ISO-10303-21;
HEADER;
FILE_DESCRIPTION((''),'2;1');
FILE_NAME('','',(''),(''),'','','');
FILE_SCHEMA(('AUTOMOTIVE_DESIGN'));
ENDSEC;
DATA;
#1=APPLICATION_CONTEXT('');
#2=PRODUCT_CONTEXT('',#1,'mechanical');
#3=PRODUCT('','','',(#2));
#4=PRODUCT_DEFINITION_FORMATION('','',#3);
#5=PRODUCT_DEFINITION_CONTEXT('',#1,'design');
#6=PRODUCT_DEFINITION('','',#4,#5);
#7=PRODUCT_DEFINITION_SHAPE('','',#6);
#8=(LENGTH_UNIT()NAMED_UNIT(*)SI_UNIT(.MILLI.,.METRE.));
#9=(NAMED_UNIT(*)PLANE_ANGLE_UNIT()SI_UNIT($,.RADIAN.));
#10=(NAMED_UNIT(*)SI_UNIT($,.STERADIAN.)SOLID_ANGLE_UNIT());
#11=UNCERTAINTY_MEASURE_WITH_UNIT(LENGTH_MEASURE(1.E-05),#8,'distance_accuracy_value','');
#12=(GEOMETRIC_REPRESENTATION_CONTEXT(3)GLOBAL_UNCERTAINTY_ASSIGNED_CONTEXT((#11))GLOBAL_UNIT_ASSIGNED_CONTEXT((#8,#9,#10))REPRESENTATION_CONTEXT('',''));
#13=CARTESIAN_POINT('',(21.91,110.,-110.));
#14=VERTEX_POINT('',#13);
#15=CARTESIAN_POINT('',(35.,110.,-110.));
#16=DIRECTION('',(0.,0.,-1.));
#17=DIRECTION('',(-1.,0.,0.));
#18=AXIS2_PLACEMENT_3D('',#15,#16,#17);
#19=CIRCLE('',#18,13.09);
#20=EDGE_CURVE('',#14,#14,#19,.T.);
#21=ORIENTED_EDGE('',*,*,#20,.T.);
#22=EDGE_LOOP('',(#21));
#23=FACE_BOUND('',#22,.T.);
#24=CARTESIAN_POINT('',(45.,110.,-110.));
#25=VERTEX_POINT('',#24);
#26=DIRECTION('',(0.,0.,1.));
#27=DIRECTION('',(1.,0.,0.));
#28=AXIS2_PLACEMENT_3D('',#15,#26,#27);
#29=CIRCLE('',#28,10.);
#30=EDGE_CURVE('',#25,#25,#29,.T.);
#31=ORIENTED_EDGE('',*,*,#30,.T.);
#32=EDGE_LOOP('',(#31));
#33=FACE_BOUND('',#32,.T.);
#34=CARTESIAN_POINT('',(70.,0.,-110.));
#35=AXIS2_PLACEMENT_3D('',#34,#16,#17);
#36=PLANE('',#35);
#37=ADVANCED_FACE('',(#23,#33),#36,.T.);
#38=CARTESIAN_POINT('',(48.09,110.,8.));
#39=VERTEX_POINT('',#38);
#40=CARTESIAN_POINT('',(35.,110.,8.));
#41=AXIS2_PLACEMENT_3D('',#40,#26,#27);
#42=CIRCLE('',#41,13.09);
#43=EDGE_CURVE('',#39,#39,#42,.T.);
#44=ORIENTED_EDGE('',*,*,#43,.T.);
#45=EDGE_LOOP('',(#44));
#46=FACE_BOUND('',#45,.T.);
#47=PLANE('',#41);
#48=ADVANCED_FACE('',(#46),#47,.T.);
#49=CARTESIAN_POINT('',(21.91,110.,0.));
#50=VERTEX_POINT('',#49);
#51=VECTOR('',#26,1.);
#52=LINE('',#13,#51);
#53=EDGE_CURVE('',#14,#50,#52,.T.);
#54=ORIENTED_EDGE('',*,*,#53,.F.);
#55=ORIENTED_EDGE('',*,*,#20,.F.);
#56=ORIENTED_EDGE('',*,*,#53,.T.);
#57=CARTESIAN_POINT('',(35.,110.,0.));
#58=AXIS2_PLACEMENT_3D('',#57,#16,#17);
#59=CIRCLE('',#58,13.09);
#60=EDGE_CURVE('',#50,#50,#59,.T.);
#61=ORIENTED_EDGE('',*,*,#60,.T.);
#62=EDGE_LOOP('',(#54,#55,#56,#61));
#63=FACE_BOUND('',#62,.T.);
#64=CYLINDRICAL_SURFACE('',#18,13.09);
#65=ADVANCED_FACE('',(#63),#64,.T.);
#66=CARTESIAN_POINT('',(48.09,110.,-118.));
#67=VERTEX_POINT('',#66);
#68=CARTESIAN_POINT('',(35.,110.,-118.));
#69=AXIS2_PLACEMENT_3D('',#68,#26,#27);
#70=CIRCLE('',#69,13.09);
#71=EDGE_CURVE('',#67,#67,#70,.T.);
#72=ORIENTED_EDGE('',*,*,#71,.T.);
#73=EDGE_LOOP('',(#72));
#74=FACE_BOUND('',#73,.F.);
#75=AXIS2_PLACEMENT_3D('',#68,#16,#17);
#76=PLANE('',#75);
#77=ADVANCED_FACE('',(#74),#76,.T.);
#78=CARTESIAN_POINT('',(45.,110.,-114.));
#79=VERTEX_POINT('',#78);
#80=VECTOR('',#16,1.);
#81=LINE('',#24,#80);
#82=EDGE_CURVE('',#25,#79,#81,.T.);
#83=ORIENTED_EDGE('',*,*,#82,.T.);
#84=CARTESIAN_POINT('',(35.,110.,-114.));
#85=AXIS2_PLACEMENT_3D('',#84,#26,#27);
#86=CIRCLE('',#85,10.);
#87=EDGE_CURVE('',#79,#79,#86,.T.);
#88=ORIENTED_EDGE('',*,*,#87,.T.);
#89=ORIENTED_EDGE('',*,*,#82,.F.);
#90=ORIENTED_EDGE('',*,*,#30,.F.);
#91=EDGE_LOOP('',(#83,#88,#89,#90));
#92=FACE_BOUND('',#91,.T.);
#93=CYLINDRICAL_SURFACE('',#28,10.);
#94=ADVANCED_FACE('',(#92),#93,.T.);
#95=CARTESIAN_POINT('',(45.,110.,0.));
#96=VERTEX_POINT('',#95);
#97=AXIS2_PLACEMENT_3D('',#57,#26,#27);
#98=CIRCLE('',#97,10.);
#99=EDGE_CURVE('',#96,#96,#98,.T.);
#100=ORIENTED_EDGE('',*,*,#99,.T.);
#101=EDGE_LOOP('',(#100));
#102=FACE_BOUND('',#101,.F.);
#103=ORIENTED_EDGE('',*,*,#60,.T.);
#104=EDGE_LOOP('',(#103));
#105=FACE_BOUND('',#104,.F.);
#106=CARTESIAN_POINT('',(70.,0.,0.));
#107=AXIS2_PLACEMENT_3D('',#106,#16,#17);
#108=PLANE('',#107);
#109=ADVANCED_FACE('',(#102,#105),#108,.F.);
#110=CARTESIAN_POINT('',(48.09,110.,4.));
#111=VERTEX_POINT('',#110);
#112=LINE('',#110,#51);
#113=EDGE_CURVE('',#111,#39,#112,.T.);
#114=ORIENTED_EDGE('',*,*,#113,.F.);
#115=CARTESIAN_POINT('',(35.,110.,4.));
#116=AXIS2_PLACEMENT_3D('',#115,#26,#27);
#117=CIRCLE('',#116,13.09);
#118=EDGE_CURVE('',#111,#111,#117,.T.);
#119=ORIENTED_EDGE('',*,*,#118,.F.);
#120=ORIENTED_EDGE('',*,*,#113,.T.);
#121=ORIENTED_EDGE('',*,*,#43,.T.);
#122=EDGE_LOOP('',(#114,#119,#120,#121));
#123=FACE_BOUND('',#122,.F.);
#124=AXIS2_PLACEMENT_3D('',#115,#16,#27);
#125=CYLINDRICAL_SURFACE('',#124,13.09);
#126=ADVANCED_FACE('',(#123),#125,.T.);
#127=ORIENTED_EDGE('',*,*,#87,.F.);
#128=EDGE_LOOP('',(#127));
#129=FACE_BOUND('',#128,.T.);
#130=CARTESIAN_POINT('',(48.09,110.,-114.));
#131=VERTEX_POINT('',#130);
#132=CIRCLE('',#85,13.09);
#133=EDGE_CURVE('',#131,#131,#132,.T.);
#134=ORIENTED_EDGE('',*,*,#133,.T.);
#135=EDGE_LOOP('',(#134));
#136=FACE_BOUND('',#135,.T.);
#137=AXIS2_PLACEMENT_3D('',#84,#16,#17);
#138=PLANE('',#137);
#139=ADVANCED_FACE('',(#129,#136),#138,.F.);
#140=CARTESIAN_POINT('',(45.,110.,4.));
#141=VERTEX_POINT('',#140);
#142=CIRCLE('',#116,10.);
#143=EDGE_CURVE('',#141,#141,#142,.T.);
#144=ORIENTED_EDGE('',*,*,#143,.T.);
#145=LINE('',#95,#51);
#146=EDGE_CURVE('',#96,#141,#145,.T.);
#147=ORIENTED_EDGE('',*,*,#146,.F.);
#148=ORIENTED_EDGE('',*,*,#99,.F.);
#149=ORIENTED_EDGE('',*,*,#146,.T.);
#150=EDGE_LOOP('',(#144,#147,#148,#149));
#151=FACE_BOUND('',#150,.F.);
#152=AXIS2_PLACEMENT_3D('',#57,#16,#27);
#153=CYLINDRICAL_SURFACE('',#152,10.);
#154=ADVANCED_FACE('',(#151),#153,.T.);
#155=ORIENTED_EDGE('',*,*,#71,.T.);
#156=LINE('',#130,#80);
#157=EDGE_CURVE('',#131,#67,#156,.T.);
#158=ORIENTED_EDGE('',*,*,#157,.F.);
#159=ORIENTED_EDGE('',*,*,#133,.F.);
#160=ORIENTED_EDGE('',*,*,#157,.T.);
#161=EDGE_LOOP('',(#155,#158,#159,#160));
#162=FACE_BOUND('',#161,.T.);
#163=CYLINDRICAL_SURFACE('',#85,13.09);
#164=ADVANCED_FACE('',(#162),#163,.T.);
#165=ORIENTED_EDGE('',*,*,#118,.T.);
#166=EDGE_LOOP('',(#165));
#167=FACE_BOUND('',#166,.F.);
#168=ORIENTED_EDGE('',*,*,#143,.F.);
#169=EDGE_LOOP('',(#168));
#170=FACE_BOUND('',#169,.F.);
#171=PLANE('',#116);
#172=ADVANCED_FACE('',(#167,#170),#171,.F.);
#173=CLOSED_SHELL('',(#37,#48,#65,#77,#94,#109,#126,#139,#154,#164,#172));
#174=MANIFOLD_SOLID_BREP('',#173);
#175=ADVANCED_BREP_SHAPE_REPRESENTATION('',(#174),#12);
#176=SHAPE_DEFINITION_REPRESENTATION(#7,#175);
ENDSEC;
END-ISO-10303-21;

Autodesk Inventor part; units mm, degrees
ref_plane "YZ Plane" through (0, 0, 0) normal (1, 0, 0) x (0, 1, 0)
ref_plane "XZ Plane" through (0, 0, 0) normal (0, 1, 0) x (-1, 0, 0)
ref_plane "Work Plane1" through (70, 0, -110) normal (0, 0, -1) x (-1, 0, 0)
sketch "Sketch1" plane through (70, 0, -110) normal (0, 0, -1) x (-1, 0, 0)
  circle A0 centre (35, 110) radius 13.5 projected
  circle A1 centre (35, 110) radius 13.09
  point P0 (70, 0)
  dimension "d2" = 0.41
ref_plane "Work Plane2" through (-8, 0, 0) normal (0, 0, 1) x (1, 0, 0)
extrude "Extrusion1" add sketch "Sketch1" against normal up to surface (110 mm away) contours A1
sketch "Sketch2" plane through (35, 110, 0) normal (0, 0, 1) x (1, 0, 0)
  circle A0 centre (0, 0) radius 13.09 projected
  circle A1 centre (0, 0) radius 10
  point P0 (-35, -110)
  dimension "d3" = 20
extrude "Extrusion2" add sketch "Sketch2" along normal blind 4 contours A1
sketch "Sketch3" plane through (35, 110, 4) normal (0, 0, 1) x (1, 0, 0)
  circle A0 centre (0, 0) radius 13.09 projected
  point P0 (-35, -110)
extrude "Extrusion3" add sketch "Sketch3" along normal blind 4
ref_plane "Work Plane3" through (35, 110, -55) normal (0, 0, 1) x (1, 0, 0)
mirror "Mirror1" about plane through (35, 110, -55) normal (0, 0, 1) of "Extrusion2", "Extrusion3"
equation "\"BendRadius\" = Thickness"
equation "\"BendReliefWidth\" = Thickness"
equation "\"BendReliefDepth\" = 0.5 * Thickness"
equation "\"CornerReliefSize\" = 4 * Thickness"
equation "\"MinimumRemnant\" = 2 * Thickness"
equation "\"TransitionRadius\" = BendRadius"
equation "\"JacobiRadiusSize\" = BendRadius"
equation "\"GapSize\" = Thickness"
equation "\"Thickness\" = 3.048"
properties part number "axle_3DPrint"
